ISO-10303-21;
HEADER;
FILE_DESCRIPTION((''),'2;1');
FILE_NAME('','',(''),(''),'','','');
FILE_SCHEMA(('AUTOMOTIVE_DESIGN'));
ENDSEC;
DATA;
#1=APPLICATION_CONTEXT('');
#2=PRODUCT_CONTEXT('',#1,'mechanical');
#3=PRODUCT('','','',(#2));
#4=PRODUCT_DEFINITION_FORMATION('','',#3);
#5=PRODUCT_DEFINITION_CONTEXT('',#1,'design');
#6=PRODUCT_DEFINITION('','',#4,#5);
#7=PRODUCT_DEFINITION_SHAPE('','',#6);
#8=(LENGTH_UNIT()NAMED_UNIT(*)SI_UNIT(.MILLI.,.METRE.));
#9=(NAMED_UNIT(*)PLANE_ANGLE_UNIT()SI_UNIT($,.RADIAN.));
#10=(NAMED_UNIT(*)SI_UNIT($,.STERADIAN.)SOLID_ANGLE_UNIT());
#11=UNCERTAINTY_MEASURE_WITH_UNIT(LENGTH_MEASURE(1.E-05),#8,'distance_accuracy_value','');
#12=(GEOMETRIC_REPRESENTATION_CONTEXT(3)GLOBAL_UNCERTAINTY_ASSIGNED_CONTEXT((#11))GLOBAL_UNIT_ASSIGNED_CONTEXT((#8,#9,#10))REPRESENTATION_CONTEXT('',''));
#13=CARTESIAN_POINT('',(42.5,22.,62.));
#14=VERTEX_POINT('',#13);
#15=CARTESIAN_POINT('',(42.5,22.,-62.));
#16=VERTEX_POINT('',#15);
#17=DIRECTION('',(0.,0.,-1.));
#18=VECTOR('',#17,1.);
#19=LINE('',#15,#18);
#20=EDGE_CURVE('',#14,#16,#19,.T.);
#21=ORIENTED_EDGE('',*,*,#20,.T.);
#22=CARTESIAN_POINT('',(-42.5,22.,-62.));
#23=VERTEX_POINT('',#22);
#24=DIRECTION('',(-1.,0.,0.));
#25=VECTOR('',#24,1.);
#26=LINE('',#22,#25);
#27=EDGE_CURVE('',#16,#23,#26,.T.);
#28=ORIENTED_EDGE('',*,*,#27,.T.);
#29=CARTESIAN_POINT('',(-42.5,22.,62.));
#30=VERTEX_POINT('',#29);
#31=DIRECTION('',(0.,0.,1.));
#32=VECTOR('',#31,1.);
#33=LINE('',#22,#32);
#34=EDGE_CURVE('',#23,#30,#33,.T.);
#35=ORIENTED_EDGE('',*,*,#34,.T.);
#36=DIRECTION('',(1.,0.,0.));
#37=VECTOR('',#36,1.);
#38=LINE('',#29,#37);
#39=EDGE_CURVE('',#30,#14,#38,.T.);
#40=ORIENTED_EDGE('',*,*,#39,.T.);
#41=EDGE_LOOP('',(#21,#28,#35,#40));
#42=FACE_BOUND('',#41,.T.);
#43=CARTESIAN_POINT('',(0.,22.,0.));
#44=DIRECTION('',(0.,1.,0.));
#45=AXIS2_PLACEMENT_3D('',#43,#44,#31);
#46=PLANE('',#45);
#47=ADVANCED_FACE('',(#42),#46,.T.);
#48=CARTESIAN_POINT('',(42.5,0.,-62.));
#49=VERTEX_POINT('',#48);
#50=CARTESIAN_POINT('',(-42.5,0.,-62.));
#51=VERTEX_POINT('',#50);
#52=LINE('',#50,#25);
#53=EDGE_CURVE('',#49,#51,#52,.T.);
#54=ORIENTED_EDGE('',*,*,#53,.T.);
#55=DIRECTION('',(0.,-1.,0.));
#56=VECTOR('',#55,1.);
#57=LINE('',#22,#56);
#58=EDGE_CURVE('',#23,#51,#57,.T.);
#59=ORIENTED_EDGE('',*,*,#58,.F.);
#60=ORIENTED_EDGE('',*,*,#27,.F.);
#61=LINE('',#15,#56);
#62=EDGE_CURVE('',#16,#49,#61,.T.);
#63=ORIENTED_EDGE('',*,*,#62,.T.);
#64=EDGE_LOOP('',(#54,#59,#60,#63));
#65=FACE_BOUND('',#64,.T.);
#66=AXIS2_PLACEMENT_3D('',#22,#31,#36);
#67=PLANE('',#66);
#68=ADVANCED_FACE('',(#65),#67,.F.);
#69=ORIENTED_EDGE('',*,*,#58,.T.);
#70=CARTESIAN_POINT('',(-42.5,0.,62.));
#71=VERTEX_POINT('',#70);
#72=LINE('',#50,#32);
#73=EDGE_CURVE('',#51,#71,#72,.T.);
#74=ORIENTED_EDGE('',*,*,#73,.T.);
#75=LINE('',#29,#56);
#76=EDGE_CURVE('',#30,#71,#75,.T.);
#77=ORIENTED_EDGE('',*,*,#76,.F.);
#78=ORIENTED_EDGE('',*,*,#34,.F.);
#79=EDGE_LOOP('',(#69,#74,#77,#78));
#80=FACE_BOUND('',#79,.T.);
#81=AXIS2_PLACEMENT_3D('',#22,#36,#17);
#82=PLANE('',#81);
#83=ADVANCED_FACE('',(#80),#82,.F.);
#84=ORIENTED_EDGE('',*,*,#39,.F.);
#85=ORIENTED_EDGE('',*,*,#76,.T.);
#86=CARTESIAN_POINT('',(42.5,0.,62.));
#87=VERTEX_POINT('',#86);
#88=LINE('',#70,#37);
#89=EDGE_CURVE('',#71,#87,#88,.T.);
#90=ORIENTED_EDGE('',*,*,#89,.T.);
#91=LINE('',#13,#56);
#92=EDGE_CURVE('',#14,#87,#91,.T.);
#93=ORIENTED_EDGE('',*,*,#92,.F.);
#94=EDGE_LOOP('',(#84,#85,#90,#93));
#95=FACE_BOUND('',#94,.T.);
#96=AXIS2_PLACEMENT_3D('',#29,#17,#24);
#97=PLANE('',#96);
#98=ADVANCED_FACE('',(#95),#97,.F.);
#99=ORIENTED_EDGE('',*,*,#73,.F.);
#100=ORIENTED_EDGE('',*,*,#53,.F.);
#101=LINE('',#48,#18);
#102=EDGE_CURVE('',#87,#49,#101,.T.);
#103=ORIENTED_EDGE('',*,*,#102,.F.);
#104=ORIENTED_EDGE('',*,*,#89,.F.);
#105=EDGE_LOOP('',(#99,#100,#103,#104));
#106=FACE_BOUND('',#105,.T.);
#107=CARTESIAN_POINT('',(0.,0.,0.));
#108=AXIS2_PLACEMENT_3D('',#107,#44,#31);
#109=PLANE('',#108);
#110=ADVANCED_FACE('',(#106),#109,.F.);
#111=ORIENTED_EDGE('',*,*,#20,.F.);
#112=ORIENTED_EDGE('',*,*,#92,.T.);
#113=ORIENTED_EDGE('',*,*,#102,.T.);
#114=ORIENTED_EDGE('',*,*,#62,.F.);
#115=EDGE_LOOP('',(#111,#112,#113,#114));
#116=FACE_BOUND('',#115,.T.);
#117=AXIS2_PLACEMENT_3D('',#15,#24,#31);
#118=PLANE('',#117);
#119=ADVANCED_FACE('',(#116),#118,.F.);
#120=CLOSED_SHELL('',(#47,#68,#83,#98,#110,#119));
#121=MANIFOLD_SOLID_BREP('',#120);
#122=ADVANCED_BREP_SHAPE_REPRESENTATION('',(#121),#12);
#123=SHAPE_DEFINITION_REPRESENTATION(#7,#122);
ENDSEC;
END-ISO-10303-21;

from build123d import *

# Parameters (mm, degrees)
SKETCH_1_W      = 85
SKETCH_1_H      = 124
EXTRUDE_1_DEPTH = 22


with BuildPart() as part:
    # Эскиз1 → Бобышка-Вытянуть1 (new body)
    with BuildSketch(Plane(origin=(0, 0, 0), x_dir=(1, 0, 0), z_dir=(0, 1, 0))):
        Rectangle(SKETCH_1_W, SKETCH_1_H)
    extrude(amount=EXTRUDE_1_DEPTH)


solid = part.part
